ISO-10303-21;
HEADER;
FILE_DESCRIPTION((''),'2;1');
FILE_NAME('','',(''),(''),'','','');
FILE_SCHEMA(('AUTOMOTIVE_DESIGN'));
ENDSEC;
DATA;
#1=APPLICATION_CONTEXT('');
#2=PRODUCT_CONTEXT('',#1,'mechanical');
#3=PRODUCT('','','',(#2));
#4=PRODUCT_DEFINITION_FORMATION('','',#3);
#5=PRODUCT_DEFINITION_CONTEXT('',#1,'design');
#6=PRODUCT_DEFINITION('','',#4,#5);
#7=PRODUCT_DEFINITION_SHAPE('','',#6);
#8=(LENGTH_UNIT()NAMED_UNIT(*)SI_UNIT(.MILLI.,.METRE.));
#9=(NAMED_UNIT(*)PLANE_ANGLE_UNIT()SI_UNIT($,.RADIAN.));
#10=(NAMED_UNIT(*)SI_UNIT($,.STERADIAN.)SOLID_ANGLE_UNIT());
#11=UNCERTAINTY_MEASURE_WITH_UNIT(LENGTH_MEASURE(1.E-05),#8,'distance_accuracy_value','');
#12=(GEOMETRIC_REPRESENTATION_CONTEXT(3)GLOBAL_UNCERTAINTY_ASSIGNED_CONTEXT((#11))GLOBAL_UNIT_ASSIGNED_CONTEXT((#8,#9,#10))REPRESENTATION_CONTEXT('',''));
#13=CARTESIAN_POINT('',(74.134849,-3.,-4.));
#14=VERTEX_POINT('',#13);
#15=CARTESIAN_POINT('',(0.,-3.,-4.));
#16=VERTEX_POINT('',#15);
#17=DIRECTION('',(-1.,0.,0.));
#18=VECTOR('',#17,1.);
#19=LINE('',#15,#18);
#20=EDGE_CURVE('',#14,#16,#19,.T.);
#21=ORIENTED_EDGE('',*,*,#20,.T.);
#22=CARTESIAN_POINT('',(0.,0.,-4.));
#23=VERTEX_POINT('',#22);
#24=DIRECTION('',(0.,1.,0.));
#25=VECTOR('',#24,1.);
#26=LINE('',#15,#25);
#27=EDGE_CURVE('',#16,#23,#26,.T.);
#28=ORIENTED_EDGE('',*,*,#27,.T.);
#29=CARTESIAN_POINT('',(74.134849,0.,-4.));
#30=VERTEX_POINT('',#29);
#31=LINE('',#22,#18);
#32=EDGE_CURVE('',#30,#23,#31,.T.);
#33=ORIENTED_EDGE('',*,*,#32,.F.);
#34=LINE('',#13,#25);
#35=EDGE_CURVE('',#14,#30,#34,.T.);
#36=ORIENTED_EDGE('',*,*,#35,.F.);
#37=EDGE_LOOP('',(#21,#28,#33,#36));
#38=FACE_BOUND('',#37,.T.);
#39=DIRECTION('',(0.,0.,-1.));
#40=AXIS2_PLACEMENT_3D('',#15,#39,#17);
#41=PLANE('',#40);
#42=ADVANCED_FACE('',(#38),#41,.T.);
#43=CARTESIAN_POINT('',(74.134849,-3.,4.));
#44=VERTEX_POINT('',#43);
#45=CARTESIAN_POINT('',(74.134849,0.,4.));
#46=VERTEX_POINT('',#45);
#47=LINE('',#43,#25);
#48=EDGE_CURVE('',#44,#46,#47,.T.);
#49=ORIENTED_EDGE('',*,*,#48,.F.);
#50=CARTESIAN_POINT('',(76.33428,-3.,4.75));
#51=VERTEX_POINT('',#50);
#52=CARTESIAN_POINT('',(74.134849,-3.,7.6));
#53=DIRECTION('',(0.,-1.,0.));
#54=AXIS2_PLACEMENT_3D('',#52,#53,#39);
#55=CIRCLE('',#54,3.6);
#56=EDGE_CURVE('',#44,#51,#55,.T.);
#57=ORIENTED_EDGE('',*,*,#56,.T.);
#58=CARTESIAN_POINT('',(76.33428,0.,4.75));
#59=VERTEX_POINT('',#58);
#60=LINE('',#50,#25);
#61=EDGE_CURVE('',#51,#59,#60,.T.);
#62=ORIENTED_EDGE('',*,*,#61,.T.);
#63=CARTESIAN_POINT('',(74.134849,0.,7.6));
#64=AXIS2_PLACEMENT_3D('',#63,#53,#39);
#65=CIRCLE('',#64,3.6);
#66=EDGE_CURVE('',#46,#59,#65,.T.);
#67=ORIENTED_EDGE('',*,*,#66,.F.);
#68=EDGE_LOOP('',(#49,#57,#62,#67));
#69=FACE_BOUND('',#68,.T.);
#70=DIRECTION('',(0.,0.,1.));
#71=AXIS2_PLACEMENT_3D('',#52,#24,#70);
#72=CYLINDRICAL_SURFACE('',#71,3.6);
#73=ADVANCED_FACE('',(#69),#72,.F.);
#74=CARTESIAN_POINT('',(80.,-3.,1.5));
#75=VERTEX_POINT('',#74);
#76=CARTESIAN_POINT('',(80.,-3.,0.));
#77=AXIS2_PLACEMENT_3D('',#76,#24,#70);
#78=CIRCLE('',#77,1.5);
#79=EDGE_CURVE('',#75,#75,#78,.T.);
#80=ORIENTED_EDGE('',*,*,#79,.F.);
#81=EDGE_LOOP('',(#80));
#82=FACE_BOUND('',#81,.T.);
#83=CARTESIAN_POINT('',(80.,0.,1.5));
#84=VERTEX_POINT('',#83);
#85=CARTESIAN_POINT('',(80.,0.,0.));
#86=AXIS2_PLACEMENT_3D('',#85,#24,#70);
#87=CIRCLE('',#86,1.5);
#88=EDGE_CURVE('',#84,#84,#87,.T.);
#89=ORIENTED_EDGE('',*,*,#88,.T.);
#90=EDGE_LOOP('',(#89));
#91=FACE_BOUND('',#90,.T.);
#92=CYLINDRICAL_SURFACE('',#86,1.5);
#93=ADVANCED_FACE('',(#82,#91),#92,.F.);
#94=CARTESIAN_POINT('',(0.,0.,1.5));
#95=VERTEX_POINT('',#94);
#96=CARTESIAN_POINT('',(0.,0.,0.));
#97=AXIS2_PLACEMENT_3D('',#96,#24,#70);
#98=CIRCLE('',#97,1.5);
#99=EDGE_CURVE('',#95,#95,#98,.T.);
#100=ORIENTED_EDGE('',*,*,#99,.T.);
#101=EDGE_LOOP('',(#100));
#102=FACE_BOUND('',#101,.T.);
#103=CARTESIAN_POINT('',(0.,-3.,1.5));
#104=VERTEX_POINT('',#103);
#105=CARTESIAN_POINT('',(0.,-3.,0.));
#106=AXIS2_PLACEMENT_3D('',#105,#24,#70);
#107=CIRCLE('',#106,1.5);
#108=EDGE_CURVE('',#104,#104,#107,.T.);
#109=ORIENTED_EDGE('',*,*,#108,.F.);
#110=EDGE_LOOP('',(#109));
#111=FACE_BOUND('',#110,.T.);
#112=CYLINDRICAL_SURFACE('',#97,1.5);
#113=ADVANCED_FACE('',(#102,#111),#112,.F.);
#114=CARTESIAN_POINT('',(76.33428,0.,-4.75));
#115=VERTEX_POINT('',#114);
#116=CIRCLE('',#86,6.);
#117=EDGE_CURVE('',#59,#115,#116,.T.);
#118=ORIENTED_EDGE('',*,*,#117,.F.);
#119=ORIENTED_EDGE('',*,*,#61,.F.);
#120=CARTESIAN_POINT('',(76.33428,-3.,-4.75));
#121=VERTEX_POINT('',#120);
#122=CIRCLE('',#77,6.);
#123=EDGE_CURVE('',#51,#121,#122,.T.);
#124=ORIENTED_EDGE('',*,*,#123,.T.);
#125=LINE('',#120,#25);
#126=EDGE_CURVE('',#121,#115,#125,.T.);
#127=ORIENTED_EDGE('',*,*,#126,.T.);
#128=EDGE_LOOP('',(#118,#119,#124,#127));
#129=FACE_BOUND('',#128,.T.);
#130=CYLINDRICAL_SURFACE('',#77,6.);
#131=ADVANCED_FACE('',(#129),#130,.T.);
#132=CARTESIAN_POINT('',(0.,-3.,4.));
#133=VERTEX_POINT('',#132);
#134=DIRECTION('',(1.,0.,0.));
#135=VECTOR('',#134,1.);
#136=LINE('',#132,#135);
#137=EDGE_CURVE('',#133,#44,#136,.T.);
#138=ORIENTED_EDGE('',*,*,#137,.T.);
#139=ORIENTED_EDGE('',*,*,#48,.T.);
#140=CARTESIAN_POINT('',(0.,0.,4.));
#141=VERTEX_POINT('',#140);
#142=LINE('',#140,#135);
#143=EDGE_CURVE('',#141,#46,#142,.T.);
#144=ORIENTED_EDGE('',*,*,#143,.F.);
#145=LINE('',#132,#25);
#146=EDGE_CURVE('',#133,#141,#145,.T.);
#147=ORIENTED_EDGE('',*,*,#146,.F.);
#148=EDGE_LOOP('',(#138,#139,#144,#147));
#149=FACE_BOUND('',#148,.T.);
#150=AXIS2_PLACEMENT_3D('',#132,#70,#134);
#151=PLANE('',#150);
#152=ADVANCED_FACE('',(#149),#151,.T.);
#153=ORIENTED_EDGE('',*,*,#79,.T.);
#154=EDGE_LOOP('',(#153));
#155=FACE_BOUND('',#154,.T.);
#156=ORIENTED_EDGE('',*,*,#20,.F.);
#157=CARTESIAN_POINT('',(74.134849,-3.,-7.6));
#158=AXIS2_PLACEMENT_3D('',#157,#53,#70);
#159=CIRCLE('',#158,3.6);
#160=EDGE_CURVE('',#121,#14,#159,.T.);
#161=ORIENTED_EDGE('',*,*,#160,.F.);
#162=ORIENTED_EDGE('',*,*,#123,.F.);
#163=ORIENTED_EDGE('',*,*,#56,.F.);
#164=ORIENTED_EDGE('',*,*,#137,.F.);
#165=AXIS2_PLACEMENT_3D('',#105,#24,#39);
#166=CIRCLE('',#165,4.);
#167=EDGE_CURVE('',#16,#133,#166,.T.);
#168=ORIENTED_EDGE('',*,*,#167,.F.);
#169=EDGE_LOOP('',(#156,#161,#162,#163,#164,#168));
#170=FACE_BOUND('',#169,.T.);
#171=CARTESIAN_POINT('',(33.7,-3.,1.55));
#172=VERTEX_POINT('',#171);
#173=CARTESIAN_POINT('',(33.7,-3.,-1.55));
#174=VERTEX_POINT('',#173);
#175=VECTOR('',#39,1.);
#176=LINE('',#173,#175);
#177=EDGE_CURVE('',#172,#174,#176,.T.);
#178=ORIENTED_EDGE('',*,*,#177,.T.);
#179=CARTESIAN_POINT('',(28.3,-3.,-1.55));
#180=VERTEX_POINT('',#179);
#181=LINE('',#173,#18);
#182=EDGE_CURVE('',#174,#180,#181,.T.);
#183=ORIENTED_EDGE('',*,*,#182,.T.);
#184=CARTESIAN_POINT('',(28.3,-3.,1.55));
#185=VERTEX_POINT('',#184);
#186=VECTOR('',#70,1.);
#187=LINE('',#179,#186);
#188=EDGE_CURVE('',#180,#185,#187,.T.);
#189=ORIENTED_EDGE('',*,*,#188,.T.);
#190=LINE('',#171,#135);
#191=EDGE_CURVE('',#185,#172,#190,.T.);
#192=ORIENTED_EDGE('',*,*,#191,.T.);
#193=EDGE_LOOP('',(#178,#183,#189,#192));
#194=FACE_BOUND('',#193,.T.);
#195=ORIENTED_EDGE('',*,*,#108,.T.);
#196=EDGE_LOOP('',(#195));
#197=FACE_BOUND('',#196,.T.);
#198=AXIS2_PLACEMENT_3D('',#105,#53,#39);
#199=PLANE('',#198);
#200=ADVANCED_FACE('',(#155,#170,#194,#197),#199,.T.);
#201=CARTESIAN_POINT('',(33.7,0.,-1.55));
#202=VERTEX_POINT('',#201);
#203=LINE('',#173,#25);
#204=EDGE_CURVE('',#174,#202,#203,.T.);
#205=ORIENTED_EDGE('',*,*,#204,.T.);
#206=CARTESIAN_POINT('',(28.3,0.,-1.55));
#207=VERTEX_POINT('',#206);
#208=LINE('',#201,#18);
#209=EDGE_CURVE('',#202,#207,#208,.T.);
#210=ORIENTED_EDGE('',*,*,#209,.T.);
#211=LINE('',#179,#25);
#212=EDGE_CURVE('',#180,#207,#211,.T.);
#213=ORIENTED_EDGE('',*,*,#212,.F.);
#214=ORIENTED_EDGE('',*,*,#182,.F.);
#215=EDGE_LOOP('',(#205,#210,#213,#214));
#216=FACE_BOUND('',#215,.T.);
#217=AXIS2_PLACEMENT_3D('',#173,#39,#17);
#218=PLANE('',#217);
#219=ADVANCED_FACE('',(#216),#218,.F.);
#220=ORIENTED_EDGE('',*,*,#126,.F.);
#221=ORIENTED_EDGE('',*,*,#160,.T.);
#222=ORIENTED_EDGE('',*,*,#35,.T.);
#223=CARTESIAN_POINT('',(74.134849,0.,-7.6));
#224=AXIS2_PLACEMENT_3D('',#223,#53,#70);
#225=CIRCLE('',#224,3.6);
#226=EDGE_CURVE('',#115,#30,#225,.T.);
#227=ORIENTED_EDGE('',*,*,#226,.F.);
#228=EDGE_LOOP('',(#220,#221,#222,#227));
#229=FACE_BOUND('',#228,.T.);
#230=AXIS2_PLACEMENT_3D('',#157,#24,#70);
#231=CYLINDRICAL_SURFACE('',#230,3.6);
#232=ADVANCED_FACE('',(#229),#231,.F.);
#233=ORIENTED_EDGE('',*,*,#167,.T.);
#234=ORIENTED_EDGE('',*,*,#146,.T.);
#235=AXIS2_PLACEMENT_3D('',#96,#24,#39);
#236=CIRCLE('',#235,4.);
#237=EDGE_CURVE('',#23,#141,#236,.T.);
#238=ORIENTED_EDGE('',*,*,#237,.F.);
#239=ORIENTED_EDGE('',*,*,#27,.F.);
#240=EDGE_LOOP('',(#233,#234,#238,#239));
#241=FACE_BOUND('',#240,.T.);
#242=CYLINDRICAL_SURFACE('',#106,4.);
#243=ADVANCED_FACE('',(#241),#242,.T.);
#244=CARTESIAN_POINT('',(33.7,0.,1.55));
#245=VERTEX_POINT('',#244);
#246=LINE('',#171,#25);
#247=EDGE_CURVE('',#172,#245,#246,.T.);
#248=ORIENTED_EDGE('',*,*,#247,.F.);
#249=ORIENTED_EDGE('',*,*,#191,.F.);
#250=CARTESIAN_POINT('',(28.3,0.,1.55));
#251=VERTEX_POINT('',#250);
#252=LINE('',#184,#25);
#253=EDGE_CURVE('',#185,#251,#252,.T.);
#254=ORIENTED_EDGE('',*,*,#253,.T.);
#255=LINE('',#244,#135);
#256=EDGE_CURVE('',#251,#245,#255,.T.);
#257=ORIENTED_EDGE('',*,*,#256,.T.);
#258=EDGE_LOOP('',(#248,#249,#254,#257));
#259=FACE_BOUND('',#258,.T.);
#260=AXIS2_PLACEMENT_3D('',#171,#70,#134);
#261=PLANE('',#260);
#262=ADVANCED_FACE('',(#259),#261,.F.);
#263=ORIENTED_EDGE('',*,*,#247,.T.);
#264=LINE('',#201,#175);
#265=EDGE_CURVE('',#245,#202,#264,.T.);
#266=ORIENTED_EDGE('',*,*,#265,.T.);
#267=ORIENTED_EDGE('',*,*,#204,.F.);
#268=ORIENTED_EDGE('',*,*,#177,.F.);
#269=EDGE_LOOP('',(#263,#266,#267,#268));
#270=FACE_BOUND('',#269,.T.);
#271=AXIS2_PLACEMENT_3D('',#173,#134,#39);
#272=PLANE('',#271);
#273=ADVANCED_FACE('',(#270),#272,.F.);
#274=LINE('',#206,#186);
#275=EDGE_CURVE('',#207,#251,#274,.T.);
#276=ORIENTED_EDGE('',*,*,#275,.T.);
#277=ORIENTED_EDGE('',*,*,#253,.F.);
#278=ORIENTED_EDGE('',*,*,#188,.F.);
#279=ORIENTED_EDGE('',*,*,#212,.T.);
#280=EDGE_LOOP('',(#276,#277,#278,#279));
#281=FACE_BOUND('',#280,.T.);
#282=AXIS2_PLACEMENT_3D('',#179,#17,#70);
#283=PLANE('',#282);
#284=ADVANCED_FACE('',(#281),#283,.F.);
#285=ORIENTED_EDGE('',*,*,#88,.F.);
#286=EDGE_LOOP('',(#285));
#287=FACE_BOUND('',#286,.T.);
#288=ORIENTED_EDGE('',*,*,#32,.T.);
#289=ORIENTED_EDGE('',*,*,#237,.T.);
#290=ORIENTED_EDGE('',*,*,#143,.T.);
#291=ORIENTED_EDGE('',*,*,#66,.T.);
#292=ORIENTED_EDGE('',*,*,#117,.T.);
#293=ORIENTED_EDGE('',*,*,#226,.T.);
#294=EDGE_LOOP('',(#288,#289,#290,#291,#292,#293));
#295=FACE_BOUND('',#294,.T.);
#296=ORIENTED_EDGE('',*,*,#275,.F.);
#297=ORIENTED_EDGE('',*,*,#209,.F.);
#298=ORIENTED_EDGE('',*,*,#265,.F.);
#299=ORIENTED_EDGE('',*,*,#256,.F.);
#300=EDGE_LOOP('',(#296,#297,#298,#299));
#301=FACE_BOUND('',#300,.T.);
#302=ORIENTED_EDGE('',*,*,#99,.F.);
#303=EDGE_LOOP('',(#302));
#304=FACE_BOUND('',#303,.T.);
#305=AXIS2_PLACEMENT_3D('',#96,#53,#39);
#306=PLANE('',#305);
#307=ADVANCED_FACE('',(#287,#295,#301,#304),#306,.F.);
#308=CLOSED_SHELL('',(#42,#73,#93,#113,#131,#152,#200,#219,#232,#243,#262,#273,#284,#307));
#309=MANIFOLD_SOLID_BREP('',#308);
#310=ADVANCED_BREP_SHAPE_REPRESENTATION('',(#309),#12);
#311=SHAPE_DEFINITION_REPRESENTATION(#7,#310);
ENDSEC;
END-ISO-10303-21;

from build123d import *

# Parameters (mm, degrees)
RESSALTO_EXTRUS_O1_DEPTH   = 3
ESBO_O2_W                  = 5.4
ESBO_O2_H                  = 3.1
CORTE_EXTRUS_O1_DEPTH      = 87.261231153
FURO_DE_DI_METRO_3_0_3_1_D = 3


with BuildPart() as part:
    # Esboço1 → Ressalto-extrusão1 (new body)
    with BuildSketch(Plane(origin=(0, 0, 0), x_dir=(1, 0, 0), z_dir=(0, 1, 0))):
        with BuildLine():
            Line((0, 4), (74.134848681, 4))
            ThreePointArc((74.134848681, 4), (75.296743684, 4.192654993), (76.334280425, 4.75))
            ThreePointArc((76.334280425, 4.75), (86, 0), (76.334280425, -4.75))
            ThreePointArc((76.334280425, -4.75), (75.296743684, -4.192654993), (74.134848681, -4))
            Line((74.134848681, -4), (0, -4))
            ThreePointArc((0, -4), (-4, 0), (0, 4))
        make_face()
    extrude(amount=-RESSALTO_EXTRUS_O1_DEPTH)

    # Esboço2 → Corte-extrusão1 (cut, through all)
    with BuildSketch(Plane(origin=(0, 0, 0), x_dir=(1, 0, 0), z_dir=(0, 1, 0))):
        with Locations((31, 0)):
            Rectangle(ESBO_O2_W, ESBO_O2_H)
    extrude(amount=-CORTE_EXTRUS_O1_DEPTH, mode=Mode.SUBTRACT)

    # Furo de diâmetro Ø3.0 (3)1 (through all)
    with Locations(Plane(origin=(0, 0, 0), x_dir=(1, 0, 0), z_dir=(0, 1, 0))):
        with Locations((0, 0), (80, 0)):
            Hole(FURO_DE_DI_METRO_3_0_3_1_D / 2)


solid = part.part
